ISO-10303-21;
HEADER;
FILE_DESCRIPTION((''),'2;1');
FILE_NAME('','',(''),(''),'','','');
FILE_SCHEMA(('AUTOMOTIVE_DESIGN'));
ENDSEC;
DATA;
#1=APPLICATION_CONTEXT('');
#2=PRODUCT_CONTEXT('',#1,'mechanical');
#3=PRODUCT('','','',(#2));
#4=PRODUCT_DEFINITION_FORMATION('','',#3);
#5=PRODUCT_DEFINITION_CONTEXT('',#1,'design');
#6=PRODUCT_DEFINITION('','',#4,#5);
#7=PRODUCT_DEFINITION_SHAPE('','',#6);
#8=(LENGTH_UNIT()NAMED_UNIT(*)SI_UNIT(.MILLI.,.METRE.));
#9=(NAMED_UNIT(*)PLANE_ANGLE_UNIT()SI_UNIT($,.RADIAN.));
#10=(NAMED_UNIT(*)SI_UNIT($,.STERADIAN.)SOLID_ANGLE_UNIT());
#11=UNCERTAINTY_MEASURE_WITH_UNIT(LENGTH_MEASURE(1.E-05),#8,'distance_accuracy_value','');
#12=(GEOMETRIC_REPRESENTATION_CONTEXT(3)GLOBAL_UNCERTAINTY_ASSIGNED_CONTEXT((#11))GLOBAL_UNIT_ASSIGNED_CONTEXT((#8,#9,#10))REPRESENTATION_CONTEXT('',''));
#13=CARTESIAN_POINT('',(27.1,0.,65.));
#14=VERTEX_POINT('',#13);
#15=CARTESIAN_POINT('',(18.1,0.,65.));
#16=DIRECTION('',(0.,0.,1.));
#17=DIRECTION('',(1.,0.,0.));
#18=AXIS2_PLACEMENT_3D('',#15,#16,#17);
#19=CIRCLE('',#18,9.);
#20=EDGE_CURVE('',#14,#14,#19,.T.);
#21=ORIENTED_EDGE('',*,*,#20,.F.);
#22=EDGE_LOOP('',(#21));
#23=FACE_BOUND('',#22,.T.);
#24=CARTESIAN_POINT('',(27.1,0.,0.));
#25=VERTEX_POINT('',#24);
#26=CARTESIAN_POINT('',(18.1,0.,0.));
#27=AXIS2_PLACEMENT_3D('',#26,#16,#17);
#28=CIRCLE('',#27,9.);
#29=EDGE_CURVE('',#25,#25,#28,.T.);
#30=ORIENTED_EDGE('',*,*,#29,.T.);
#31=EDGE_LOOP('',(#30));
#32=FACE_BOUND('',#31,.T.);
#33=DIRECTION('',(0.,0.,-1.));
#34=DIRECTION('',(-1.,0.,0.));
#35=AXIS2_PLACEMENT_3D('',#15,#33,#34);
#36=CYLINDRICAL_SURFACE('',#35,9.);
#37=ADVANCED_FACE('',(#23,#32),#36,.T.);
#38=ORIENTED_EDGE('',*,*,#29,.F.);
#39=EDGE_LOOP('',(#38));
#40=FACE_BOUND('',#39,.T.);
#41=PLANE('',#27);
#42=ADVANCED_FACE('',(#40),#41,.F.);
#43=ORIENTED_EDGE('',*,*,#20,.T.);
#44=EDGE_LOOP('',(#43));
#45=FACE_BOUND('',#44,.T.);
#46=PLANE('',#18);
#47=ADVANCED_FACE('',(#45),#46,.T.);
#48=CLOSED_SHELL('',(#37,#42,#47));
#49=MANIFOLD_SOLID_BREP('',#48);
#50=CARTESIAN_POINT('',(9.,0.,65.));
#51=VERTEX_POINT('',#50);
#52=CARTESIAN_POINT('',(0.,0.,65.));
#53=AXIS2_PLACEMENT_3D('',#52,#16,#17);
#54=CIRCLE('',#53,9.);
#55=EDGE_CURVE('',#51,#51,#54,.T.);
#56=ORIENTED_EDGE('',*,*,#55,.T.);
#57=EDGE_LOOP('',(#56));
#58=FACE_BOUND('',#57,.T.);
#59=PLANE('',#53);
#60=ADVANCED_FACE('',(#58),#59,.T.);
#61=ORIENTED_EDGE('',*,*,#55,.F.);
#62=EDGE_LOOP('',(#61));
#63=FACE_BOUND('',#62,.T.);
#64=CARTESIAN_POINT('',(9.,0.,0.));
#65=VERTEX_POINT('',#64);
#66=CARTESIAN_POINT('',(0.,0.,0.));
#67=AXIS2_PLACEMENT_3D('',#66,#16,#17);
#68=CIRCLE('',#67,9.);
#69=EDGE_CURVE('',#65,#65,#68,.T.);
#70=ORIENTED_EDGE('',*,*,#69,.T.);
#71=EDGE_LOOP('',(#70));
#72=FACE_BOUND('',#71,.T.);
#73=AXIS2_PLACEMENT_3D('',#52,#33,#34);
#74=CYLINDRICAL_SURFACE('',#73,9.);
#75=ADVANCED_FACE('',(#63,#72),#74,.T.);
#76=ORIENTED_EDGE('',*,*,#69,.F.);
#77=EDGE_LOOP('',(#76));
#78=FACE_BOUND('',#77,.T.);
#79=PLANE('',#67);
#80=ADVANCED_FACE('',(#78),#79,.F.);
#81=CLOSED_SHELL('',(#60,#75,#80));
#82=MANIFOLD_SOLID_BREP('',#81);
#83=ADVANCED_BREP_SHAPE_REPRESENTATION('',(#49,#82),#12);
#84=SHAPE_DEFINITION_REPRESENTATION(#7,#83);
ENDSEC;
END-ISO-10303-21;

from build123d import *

# Parameters (mm, degrees)
SKETCH_1_R        = 9
EXTRUDE_1_DEPTH   = 65
EXTRUDE_1_2_DEPTH = 65


with BuildPart() as part:
    # 草图1 → 凸台-拉伸1 (new body)
    with BuildSketch(Plane.XY):
        Circle(SKETCH_1_R)
    extrude(amount=EXTRUDE_1_DEPTH)


with BuildPart() as body_2:
    # 草图1 → Extrude 1 2 (new body)
    with BuildSketch(Plane.XY):
        with Locations((18.1, 0)):
            Circle(SKETCH_1_R)
    extrude(amount=EXTRUDE_1_2_DEPTH)


solid = Compound([part.part, body_2.part])
